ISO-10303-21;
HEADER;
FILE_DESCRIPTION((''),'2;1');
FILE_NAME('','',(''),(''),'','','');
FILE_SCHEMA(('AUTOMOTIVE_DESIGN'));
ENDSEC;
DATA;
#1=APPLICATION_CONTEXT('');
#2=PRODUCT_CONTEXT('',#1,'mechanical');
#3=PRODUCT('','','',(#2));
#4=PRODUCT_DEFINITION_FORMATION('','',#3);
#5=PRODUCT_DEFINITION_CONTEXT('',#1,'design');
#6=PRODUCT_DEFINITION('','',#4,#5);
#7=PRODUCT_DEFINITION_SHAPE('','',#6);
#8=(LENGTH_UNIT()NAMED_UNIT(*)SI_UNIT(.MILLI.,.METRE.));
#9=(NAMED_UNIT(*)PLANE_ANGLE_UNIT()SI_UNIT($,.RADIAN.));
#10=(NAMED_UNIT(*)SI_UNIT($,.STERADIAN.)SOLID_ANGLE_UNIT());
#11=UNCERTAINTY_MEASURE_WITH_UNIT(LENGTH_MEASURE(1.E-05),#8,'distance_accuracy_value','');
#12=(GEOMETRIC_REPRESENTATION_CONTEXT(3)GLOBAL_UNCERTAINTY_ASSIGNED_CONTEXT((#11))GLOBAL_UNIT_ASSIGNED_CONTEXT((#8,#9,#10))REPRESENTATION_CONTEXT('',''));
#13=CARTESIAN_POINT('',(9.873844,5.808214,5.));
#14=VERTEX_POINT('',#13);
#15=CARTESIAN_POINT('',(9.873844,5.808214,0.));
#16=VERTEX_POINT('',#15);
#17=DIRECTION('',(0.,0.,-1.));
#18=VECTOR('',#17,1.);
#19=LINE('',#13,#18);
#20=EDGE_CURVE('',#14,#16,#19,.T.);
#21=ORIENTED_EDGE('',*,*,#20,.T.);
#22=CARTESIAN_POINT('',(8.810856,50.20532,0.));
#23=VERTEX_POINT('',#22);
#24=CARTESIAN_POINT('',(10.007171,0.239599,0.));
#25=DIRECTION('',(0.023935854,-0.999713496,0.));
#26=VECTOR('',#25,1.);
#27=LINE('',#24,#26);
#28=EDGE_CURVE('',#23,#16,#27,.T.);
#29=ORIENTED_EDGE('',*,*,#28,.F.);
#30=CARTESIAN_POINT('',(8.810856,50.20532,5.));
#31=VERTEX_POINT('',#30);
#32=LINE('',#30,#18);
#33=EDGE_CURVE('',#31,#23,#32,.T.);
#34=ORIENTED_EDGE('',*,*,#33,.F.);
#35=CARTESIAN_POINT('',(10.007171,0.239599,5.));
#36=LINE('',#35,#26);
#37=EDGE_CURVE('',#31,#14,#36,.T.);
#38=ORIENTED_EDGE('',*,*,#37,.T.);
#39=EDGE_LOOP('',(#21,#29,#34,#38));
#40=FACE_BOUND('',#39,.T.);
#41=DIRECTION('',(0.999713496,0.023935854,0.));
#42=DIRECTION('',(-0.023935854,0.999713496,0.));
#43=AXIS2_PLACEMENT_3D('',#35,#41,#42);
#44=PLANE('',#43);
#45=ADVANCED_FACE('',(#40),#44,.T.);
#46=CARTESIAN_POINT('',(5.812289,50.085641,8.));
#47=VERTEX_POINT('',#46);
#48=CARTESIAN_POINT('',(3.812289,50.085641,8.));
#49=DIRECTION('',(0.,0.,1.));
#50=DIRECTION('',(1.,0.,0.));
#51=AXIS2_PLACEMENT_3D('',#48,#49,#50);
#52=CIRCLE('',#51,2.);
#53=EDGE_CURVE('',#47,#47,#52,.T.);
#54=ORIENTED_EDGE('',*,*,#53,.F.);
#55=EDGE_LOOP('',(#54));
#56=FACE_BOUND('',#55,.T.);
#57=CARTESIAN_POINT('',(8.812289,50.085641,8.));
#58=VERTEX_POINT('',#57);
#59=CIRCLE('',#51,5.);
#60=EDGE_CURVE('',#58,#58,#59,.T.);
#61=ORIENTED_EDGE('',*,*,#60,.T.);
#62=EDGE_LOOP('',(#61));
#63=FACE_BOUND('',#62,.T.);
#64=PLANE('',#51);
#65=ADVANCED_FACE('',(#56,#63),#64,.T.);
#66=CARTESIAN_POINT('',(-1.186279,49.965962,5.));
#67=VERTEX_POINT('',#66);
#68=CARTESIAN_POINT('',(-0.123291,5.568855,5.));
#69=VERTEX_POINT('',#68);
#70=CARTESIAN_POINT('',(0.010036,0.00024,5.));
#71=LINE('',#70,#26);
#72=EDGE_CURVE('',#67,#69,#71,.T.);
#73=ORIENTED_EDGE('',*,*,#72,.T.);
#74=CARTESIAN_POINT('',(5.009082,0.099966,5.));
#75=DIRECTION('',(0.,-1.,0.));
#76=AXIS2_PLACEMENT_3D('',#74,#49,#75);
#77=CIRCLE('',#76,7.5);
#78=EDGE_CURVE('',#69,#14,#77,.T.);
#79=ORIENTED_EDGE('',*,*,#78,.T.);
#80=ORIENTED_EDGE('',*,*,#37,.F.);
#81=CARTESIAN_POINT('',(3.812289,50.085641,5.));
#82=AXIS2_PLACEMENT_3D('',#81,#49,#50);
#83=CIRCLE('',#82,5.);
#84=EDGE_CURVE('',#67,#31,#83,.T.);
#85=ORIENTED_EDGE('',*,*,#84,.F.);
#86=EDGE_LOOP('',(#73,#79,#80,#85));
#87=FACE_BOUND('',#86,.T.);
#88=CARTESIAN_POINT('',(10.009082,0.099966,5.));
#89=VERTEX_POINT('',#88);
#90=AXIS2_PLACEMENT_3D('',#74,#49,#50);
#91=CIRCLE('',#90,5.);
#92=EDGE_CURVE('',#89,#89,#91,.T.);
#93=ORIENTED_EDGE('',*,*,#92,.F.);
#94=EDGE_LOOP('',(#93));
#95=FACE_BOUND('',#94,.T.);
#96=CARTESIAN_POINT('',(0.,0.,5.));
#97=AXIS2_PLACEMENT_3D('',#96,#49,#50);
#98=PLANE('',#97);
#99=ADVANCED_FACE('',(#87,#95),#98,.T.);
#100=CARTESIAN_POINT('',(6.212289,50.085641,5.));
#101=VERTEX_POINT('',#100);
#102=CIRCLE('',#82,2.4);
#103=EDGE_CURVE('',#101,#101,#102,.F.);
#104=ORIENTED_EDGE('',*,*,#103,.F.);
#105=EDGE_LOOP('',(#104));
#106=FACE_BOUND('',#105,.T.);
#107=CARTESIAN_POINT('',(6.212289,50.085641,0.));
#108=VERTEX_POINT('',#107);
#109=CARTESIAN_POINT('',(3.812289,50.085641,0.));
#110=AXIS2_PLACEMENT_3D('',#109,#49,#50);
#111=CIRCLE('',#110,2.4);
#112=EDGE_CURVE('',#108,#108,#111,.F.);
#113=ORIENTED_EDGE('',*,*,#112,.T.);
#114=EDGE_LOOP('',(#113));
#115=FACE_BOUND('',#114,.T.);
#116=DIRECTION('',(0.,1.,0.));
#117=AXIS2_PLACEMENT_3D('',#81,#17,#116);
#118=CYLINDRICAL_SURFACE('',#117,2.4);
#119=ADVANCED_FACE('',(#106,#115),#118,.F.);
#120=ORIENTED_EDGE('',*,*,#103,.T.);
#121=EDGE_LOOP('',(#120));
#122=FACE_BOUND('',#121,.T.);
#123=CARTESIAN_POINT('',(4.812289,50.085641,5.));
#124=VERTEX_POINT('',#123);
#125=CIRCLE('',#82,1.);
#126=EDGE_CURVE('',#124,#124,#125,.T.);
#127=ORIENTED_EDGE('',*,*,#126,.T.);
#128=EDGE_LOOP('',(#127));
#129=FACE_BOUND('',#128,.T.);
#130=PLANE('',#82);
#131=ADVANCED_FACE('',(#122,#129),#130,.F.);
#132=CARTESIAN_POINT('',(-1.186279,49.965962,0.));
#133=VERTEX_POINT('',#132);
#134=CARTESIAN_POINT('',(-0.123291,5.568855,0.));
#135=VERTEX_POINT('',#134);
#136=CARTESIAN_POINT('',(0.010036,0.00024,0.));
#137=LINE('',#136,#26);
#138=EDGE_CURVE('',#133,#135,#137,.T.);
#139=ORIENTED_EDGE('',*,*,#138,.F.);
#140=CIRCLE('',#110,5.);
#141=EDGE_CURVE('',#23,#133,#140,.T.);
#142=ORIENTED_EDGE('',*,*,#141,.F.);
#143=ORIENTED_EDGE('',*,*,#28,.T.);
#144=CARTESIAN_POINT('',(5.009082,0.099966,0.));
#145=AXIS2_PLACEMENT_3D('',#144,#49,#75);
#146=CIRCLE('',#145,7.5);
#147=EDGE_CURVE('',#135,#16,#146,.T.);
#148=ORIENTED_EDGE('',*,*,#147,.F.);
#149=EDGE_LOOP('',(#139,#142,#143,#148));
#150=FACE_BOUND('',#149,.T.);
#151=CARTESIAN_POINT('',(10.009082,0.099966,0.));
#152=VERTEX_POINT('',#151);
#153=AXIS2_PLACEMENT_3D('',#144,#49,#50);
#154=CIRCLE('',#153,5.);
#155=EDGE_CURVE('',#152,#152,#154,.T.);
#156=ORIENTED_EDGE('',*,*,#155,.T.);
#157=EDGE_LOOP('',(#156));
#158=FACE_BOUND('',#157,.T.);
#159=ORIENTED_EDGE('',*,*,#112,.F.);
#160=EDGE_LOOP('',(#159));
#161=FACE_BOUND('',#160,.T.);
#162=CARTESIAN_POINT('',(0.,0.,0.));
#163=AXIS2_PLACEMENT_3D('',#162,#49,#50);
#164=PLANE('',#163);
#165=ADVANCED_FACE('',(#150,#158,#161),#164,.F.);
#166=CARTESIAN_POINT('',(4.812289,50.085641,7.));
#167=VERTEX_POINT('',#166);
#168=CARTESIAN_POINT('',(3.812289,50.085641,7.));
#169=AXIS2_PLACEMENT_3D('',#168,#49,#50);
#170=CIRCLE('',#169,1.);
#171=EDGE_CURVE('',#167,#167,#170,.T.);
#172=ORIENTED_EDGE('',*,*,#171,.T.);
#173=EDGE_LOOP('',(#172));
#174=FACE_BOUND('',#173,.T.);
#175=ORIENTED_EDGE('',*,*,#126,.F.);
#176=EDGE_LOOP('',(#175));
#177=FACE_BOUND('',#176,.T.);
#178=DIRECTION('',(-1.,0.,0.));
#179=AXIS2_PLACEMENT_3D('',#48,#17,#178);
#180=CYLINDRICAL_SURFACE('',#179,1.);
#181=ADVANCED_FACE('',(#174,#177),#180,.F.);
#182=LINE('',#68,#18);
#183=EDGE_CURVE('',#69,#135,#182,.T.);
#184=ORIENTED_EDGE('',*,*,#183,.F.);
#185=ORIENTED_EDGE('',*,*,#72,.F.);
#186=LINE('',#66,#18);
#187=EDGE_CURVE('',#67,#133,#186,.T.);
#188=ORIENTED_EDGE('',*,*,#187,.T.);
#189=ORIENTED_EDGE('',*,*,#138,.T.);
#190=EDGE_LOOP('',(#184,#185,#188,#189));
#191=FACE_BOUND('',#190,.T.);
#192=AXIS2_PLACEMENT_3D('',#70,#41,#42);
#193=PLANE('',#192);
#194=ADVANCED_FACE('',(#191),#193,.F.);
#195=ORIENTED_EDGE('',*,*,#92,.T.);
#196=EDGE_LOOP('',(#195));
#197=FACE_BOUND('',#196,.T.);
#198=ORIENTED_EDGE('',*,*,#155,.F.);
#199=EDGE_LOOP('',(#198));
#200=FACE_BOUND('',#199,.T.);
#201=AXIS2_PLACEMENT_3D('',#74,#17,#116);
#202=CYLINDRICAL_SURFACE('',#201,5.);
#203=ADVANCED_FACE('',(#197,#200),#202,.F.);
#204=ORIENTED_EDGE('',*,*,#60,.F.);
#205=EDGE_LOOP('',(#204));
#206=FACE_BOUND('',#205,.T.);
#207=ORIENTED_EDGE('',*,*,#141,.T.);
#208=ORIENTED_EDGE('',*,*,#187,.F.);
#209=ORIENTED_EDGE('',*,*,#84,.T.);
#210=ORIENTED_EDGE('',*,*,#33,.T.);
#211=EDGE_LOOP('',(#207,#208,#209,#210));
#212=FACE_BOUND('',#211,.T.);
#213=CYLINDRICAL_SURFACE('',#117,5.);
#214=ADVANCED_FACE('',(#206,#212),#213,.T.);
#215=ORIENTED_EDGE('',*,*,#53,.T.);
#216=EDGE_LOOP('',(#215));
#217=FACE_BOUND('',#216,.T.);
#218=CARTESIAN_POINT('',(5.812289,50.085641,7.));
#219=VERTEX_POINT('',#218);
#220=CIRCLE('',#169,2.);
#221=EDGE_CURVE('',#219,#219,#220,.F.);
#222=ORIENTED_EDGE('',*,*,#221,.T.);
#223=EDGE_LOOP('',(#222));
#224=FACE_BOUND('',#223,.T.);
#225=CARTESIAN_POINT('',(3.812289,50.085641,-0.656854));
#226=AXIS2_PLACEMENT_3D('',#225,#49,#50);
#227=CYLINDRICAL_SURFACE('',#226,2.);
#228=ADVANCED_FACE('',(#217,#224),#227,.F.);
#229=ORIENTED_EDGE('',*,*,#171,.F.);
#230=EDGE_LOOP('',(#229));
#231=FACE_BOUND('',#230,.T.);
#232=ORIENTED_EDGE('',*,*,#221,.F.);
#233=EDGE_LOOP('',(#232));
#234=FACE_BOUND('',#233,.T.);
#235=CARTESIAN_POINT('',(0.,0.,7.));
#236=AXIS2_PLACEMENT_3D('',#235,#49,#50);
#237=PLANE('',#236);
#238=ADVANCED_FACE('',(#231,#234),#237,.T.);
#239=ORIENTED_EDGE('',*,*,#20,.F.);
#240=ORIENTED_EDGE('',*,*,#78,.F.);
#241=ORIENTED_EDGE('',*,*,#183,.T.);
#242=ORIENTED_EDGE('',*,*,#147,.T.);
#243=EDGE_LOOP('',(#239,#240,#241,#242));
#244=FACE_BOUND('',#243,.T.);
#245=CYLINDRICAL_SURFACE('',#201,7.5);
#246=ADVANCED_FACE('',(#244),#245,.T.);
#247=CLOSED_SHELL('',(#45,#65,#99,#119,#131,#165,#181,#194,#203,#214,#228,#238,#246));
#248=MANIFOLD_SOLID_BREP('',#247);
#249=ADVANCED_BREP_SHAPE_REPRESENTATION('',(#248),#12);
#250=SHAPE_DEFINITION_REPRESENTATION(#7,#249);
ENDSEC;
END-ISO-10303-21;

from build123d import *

# Parameters (mm, degrees)
SKETCH1_R           = 2.4
SKETCH1_R_2         = 5
BOSS_EXTRUDE1_DEPTH = 5
SKETCH2_R           = 5
SKETCH2_R_2         = 1
BOSS_EXTRUDE2_DEPTH = 3
SKETCH3_R           = 2
CUT_EXTRUDE1_DEPTH  = 1


with BuildPart() as part:
    # Sketch1 → Boss-Extrude1 (new body)
    with BuildSketch(Plane(origin=(0, 0, 0), x_dir=(0.999713496, 0.023935854, 0), z_dir=(0, 0, 1))):
        with BuildLine():
            Line((10.010039278, 5.570210903), (10.010039278, 49.980040959))
            ThreePointArc((10.010039278, 49.980040959), (5.010039278, 54.980040959), (0.010039278, 49.980040959))
            Line((0.010039278, 49.980040959), (0.010039278, 5.570210903))
            ThreePointArc((0.010039278, 5.570210903), (5.010039278, -7.519959041), (10.010039278, 5.570210903))
        make_face()
        with Locations((5.010039278, 49.980040959)):
            Circle(SKETCH1_R, mode=Mode.SUBTRACT)
        with Locations((5.010039278, -0.019959041)):
            Circle(SKETCH1_R_2, mode=Mode.SUBTRACT)
    extrude(amount=BOSS_EXTRUDE1_DEPTH)

    # Sketch2 → Boss-Extrude2 (add)
    with BuildSketch(Plane.XY.offset(5)):
        with Locations((3.812288906, 50.085641068)):
            Circle(SKETCH2_R)
        with Locations((3.812288906, 50.085641068)):
            Circle(SKETCH2_R_2, mode=Mode.SUBTRACT)
    extrude(amount=BOSS_EXTRUDE2_DEPTH)

    # Sketch3 → Cut-Extrude1 (cut)
    with BuildSketch(Plane.XY.offset(8)):
        with Locations((3.812288906, 50.085641068)):
            Circle(SKETCH3_R)
    extrude(amount=-CUT_EXTRUDE1_DEPTH, mode=Mode.SUBTRACT)


solid = part.part
